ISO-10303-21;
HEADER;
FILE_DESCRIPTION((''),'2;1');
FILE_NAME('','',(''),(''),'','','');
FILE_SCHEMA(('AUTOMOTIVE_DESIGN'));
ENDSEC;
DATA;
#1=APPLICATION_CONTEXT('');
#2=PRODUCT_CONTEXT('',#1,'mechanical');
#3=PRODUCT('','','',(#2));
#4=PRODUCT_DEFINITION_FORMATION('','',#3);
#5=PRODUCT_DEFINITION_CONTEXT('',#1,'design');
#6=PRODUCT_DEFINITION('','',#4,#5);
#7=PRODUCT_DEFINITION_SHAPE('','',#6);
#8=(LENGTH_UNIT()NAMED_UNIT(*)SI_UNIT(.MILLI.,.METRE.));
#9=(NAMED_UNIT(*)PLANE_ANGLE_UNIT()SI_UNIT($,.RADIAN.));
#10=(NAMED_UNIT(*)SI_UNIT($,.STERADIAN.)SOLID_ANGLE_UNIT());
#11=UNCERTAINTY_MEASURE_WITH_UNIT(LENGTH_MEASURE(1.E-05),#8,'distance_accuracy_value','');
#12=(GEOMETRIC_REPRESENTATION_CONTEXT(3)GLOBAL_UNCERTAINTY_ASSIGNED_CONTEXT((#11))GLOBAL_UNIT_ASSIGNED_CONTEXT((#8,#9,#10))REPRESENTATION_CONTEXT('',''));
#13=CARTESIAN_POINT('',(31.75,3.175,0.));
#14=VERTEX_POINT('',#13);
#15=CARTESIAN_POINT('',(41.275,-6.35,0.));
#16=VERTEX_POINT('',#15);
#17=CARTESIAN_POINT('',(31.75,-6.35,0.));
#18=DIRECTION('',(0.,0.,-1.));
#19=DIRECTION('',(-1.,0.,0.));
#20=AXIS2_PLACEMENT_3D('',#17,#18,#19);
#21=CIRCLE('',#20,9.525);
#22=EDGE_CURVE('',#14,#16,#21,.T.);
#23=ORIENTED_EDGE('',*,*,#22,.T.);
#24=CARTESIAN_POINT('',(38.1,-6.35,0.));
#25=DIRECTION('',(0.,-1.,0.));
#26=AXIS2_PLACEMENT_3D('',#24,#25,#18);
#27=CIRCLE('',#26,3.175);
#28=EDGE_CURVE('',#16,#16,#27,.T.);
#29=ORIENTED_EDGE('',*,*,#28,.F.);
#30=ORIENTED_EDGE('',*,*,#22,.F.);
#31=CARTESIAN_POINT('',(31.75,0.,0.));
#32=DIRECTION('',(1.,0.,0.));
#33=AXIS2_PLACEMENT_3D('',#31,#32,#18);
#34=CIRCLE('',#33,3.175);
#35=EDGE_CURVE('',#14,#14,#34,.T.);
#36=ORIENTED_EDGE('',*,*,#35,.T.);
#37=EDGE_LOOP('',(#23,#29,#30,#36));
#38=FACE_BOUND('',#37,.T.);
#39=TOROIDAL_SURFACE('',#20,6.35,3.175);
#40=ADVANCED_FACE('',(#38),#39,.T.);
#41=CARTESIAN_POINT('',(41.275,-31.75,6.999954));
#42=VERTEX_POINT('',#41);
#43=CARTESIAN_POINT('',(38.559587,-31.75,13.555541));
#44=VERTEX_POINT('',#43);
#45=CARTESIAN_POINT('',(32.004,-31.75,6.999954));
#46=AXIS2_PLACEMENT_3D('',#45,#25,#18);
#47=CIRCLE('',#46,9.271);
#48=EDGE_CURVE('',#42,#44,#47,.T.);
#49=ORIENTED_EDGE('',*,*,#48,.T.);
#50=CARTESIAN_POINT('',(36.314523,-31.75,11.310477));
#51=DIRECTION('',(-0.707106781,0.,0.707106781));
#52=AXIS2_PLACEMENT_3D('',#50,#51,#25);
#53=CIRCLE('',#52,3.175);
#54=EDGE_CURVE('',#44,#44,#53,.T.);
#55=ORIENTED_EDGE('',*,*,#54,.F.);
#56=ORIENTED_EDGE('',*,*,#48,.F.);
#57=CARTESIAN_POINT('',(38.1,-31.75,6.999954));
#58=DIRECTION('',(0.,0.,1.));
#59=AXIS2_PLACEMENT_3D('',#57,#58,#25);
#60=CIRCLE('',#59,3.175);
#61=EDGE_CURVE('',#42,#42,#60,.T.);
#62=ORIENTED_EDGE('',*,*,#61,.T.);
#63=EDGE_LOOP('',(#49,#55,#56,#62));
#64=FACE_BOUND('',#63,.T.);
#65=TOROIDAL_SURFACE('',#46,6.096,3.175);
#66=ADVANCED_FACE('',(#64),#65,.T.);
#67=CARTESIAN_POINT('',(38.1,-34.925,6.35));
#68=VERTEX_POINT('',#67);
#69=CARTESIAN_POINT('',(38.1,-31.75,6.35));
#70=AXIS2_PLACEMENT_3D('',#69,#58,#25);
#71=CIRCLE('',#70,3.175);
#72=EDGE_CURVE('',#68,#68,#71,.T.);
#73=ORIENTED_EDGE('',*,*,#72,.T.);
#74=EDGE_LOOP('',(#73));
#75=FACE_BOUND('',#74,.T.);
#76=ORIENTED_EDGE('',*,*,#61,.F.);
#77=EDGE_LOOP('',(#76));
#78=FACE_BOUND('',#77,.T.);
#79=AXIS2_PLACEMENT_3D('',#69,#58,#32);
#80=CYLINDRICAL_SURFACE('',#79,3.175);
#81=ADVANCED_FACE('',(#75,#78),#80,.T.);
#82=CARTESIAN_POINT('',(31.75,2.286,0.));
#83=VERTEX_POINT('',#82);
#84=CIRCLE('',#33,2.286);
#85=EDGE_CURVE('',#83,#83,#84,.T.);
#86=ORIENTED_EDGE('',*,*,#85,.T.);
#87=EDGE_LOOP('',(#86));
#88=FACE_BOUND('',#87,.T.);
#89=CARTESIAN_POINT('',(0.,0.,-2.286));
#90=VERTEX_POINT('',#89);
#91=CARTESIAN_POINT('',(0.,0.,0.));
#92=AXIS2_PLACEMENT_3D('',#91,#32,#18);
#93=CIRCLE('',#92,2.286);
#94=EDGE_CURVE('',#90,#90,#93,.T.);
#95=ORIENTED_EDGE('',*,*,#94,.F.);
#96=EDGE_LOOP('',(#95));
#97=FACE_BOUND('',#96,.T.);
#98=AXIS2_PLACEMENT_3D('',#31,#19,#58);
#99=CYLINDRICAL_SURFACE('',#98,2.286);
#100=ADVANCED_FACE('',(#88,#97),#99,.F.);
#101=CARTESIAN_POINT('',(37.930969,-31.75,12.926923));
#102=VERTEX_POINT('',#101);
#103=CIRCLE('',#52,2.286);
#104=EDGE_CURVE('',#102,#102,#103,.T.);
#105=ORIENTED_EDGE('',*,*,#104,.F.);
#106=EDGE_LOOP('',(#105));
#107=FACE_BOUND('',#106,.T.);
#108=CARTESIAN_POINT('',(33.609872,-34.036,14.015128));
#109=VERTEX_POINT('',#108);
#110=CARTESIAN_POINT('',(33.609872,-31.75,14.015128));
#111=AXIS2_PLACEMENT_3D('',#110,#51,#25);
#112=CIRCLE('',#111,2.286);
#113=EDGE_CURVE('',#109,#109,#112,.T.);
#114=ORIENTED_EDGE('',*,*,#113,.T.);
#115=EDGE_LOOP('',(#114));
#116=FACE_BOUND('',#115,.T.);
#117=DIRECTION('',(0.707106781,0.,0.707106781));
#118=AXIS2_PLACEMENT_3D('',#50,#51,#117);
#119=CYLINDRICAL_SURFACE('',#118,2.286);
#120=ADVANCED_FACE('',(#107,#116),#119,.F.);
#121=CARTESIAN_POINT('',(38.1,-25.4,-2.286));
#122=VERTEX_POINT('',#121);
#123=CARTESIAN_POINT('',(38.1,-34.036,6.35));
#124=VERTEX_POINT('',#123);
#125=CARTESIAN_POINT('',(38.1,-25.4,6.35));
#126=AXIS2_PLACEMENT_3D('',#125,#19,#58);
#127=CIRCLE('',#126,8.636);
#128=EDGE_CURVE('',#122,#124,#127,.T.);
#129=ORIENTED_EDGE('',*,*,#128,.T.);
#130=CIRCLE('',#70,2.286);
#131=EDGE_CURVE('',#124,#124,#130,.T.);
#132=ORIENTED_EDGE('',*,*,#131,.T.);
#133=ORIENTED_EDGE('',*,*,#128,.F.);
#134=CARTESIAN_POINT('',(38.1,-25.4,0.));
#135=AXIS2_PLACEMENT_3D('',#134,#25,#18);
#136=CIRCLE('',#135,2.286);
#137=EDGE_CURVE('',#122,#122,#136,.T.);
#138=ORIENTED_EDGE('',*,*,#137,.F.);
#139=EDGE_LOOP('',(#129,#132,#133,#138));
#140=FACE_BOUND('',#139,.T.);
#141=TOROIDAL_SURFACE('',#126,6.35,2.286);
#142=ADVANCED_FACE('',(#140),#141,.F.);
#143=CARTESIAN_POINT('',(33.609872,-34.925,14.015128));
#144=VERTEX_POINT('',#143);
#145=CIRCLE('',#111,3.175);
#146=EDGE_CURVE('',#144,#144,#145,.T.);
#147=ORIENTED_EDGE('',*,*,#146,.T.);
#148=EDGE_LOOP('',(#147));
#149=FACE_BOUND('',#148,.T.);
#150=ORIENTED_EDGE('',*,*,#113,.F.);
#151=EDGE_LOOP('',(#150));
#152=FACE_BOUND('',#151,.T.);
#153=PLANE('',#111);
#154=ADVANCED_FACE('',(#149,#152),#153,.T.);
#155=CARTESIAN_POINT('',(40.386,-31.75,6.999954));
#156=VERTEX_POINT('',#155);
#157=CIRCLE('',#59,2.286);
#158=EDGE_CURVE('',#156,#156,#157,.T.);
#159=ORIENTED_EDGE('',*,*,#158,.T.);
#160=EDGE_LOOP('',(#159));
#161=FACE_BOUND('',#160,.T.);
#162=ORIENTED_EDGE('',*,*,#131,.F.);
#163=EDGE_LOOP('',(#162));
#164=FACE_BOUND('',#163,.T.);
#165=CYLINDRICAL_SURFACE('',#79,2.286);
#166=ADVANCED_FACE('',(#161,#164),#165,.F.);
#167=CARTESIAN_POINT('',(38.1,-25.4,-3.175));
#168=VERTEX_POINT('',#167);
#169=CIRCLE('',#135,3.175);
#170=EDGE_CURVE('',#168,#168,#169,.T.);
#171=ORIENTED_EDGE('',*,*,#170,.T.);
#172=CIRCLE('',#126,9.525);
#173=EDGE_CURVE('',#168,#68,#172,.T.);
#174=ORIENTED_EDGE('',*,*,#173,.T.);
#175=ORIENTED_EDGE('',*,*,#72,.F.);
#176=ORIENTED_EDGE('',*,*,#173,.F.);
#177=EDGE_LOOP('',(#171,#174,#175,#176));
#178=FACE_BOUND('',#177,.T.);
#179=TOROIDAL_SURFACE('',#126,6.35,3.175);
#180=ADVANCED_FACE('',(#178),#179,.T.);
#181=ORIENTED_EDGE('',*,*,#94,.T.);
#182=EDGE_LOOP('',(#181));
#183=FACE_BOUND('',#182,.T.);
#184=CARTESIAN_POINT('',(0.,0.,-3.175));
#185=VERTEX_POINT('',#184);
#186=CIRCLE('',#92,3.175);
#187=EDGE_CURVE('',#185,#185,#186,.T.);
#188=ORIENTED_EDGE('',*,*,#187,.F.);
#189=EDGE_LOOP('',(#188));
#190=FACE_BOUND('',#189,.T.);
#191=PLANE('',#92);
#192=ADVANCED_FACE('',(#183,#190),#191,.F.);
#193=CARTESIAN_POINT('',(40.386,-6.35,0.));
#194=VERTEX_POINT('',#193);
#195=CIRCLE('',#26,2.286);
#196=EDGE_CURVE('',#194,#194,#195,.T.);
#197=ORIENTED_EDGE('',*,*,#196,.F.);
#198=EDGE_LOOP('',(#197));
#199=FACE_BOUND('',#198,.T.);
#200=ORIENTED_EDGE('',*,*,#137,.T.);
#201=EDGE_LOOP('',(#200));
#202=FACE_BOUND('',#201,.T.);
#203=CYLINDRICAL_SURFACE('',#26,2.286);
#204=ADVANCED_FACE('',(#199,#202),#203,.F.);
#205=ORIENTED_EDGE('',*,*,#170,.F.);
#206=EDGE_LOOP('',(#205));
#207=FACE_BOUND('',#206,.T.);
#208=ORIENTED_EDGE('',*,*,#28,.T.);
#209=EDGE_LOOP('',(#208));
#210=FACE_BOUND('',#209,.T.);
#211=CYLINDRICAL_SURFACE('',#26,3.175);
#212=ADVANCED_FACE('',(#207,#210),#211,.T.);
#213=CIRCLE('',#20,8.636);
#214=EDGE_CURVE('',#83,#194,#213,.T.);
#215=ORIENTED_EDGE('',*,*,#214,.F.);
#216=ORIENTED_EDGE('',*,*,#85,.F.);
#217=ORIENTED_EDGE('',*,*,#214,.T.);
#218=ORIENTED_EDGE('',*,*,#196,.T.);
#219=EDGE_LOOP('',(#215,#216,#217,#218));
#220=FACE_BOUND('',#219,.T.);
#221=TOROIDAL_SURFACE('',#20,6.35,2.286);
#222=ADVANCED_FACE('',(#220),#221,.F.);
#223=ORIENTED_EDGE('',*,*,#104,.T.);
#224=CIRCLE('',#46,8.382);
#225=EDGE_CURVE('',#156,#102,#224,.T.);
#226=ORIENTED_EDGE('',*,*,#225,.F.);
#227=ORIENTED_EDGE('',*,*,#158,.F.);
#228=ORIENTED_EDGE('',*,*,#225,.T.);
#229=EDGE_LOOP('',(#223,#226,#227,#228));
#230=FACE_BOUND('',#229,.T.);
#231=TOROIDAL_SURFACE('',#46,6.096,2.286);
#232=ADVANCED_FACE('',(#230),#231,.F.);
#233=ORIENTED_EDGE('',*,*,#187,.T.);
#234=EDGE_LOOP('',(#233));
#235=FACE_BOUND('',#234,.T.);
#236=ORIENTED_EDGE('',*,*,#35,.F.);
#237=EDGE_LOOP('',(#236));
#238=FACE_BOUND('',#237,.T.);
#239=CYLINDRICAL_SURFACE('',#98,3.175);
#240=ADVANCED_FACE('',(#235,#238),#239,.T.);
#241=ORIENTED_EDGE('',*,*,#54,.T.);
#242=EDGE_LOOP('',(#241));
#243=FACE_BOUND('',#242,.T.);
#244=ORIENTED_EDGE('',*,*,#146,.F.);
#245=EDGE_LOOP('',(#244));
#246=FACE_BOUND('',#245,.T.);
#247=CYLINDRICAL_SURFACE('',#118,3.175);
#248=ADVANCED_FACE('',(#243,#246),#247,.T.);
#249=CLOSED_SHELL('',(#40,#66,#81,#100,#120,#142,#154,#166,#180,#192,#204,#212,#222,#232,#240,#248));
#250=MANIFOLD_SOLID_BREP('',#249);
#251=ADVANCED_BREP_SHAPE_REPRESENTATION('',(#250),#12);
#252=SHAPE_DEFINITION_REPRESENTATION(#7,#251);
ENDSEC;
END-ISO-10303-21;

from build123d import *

# Parameters (mm, degrees)
SKETCH2_R   = 3.175
SKETCH2_R_2 = 2.286


with BuildPart() as part:
    # Sweep1: sweep along a curve in space
    with BuildLine() as sweep1_path:
        Line((0, 0, 0), (31.75, 0, 0))
        ThreePointArc((31.75, 0, 0), (36.240128061, -1.859871939, 0), (38.1, -6.35, 0))
        Line((38.1, -6.35, 0), (38.1, -25.4, 0))
        ThreePointArc((38.1, -25.4, 0), (38.1, -29.890128061, 1.859871939), (38.1, -31.75, 6.35))
        Line((38.1, -31.75, 6.35), (38.1, -31.75, 6.999954124))
        ThreePointArc((38.1, -31.75, 6.999954124), (37.63596963, -31.75, 9.332792327), (36.314522938, -31.75, 11.310477062))
        Line((36.314522938, -31.75, 11.310477062), (33.609871939, -31.75, 14.015128061))
    # Sketch2 → Sweep1 (sweep)
    with BuildSketch(Plane(origin=(0, 0, 0), x_dir=(0, 0, -1), z_dir=(1, 0, 0))):
        Circle(SKETCH2_R)
        Circle(SKETCH2_R_2, mode=Mode.SUBTRACT)
    sweep(path=sweep1_path.line)


solid = part.part
